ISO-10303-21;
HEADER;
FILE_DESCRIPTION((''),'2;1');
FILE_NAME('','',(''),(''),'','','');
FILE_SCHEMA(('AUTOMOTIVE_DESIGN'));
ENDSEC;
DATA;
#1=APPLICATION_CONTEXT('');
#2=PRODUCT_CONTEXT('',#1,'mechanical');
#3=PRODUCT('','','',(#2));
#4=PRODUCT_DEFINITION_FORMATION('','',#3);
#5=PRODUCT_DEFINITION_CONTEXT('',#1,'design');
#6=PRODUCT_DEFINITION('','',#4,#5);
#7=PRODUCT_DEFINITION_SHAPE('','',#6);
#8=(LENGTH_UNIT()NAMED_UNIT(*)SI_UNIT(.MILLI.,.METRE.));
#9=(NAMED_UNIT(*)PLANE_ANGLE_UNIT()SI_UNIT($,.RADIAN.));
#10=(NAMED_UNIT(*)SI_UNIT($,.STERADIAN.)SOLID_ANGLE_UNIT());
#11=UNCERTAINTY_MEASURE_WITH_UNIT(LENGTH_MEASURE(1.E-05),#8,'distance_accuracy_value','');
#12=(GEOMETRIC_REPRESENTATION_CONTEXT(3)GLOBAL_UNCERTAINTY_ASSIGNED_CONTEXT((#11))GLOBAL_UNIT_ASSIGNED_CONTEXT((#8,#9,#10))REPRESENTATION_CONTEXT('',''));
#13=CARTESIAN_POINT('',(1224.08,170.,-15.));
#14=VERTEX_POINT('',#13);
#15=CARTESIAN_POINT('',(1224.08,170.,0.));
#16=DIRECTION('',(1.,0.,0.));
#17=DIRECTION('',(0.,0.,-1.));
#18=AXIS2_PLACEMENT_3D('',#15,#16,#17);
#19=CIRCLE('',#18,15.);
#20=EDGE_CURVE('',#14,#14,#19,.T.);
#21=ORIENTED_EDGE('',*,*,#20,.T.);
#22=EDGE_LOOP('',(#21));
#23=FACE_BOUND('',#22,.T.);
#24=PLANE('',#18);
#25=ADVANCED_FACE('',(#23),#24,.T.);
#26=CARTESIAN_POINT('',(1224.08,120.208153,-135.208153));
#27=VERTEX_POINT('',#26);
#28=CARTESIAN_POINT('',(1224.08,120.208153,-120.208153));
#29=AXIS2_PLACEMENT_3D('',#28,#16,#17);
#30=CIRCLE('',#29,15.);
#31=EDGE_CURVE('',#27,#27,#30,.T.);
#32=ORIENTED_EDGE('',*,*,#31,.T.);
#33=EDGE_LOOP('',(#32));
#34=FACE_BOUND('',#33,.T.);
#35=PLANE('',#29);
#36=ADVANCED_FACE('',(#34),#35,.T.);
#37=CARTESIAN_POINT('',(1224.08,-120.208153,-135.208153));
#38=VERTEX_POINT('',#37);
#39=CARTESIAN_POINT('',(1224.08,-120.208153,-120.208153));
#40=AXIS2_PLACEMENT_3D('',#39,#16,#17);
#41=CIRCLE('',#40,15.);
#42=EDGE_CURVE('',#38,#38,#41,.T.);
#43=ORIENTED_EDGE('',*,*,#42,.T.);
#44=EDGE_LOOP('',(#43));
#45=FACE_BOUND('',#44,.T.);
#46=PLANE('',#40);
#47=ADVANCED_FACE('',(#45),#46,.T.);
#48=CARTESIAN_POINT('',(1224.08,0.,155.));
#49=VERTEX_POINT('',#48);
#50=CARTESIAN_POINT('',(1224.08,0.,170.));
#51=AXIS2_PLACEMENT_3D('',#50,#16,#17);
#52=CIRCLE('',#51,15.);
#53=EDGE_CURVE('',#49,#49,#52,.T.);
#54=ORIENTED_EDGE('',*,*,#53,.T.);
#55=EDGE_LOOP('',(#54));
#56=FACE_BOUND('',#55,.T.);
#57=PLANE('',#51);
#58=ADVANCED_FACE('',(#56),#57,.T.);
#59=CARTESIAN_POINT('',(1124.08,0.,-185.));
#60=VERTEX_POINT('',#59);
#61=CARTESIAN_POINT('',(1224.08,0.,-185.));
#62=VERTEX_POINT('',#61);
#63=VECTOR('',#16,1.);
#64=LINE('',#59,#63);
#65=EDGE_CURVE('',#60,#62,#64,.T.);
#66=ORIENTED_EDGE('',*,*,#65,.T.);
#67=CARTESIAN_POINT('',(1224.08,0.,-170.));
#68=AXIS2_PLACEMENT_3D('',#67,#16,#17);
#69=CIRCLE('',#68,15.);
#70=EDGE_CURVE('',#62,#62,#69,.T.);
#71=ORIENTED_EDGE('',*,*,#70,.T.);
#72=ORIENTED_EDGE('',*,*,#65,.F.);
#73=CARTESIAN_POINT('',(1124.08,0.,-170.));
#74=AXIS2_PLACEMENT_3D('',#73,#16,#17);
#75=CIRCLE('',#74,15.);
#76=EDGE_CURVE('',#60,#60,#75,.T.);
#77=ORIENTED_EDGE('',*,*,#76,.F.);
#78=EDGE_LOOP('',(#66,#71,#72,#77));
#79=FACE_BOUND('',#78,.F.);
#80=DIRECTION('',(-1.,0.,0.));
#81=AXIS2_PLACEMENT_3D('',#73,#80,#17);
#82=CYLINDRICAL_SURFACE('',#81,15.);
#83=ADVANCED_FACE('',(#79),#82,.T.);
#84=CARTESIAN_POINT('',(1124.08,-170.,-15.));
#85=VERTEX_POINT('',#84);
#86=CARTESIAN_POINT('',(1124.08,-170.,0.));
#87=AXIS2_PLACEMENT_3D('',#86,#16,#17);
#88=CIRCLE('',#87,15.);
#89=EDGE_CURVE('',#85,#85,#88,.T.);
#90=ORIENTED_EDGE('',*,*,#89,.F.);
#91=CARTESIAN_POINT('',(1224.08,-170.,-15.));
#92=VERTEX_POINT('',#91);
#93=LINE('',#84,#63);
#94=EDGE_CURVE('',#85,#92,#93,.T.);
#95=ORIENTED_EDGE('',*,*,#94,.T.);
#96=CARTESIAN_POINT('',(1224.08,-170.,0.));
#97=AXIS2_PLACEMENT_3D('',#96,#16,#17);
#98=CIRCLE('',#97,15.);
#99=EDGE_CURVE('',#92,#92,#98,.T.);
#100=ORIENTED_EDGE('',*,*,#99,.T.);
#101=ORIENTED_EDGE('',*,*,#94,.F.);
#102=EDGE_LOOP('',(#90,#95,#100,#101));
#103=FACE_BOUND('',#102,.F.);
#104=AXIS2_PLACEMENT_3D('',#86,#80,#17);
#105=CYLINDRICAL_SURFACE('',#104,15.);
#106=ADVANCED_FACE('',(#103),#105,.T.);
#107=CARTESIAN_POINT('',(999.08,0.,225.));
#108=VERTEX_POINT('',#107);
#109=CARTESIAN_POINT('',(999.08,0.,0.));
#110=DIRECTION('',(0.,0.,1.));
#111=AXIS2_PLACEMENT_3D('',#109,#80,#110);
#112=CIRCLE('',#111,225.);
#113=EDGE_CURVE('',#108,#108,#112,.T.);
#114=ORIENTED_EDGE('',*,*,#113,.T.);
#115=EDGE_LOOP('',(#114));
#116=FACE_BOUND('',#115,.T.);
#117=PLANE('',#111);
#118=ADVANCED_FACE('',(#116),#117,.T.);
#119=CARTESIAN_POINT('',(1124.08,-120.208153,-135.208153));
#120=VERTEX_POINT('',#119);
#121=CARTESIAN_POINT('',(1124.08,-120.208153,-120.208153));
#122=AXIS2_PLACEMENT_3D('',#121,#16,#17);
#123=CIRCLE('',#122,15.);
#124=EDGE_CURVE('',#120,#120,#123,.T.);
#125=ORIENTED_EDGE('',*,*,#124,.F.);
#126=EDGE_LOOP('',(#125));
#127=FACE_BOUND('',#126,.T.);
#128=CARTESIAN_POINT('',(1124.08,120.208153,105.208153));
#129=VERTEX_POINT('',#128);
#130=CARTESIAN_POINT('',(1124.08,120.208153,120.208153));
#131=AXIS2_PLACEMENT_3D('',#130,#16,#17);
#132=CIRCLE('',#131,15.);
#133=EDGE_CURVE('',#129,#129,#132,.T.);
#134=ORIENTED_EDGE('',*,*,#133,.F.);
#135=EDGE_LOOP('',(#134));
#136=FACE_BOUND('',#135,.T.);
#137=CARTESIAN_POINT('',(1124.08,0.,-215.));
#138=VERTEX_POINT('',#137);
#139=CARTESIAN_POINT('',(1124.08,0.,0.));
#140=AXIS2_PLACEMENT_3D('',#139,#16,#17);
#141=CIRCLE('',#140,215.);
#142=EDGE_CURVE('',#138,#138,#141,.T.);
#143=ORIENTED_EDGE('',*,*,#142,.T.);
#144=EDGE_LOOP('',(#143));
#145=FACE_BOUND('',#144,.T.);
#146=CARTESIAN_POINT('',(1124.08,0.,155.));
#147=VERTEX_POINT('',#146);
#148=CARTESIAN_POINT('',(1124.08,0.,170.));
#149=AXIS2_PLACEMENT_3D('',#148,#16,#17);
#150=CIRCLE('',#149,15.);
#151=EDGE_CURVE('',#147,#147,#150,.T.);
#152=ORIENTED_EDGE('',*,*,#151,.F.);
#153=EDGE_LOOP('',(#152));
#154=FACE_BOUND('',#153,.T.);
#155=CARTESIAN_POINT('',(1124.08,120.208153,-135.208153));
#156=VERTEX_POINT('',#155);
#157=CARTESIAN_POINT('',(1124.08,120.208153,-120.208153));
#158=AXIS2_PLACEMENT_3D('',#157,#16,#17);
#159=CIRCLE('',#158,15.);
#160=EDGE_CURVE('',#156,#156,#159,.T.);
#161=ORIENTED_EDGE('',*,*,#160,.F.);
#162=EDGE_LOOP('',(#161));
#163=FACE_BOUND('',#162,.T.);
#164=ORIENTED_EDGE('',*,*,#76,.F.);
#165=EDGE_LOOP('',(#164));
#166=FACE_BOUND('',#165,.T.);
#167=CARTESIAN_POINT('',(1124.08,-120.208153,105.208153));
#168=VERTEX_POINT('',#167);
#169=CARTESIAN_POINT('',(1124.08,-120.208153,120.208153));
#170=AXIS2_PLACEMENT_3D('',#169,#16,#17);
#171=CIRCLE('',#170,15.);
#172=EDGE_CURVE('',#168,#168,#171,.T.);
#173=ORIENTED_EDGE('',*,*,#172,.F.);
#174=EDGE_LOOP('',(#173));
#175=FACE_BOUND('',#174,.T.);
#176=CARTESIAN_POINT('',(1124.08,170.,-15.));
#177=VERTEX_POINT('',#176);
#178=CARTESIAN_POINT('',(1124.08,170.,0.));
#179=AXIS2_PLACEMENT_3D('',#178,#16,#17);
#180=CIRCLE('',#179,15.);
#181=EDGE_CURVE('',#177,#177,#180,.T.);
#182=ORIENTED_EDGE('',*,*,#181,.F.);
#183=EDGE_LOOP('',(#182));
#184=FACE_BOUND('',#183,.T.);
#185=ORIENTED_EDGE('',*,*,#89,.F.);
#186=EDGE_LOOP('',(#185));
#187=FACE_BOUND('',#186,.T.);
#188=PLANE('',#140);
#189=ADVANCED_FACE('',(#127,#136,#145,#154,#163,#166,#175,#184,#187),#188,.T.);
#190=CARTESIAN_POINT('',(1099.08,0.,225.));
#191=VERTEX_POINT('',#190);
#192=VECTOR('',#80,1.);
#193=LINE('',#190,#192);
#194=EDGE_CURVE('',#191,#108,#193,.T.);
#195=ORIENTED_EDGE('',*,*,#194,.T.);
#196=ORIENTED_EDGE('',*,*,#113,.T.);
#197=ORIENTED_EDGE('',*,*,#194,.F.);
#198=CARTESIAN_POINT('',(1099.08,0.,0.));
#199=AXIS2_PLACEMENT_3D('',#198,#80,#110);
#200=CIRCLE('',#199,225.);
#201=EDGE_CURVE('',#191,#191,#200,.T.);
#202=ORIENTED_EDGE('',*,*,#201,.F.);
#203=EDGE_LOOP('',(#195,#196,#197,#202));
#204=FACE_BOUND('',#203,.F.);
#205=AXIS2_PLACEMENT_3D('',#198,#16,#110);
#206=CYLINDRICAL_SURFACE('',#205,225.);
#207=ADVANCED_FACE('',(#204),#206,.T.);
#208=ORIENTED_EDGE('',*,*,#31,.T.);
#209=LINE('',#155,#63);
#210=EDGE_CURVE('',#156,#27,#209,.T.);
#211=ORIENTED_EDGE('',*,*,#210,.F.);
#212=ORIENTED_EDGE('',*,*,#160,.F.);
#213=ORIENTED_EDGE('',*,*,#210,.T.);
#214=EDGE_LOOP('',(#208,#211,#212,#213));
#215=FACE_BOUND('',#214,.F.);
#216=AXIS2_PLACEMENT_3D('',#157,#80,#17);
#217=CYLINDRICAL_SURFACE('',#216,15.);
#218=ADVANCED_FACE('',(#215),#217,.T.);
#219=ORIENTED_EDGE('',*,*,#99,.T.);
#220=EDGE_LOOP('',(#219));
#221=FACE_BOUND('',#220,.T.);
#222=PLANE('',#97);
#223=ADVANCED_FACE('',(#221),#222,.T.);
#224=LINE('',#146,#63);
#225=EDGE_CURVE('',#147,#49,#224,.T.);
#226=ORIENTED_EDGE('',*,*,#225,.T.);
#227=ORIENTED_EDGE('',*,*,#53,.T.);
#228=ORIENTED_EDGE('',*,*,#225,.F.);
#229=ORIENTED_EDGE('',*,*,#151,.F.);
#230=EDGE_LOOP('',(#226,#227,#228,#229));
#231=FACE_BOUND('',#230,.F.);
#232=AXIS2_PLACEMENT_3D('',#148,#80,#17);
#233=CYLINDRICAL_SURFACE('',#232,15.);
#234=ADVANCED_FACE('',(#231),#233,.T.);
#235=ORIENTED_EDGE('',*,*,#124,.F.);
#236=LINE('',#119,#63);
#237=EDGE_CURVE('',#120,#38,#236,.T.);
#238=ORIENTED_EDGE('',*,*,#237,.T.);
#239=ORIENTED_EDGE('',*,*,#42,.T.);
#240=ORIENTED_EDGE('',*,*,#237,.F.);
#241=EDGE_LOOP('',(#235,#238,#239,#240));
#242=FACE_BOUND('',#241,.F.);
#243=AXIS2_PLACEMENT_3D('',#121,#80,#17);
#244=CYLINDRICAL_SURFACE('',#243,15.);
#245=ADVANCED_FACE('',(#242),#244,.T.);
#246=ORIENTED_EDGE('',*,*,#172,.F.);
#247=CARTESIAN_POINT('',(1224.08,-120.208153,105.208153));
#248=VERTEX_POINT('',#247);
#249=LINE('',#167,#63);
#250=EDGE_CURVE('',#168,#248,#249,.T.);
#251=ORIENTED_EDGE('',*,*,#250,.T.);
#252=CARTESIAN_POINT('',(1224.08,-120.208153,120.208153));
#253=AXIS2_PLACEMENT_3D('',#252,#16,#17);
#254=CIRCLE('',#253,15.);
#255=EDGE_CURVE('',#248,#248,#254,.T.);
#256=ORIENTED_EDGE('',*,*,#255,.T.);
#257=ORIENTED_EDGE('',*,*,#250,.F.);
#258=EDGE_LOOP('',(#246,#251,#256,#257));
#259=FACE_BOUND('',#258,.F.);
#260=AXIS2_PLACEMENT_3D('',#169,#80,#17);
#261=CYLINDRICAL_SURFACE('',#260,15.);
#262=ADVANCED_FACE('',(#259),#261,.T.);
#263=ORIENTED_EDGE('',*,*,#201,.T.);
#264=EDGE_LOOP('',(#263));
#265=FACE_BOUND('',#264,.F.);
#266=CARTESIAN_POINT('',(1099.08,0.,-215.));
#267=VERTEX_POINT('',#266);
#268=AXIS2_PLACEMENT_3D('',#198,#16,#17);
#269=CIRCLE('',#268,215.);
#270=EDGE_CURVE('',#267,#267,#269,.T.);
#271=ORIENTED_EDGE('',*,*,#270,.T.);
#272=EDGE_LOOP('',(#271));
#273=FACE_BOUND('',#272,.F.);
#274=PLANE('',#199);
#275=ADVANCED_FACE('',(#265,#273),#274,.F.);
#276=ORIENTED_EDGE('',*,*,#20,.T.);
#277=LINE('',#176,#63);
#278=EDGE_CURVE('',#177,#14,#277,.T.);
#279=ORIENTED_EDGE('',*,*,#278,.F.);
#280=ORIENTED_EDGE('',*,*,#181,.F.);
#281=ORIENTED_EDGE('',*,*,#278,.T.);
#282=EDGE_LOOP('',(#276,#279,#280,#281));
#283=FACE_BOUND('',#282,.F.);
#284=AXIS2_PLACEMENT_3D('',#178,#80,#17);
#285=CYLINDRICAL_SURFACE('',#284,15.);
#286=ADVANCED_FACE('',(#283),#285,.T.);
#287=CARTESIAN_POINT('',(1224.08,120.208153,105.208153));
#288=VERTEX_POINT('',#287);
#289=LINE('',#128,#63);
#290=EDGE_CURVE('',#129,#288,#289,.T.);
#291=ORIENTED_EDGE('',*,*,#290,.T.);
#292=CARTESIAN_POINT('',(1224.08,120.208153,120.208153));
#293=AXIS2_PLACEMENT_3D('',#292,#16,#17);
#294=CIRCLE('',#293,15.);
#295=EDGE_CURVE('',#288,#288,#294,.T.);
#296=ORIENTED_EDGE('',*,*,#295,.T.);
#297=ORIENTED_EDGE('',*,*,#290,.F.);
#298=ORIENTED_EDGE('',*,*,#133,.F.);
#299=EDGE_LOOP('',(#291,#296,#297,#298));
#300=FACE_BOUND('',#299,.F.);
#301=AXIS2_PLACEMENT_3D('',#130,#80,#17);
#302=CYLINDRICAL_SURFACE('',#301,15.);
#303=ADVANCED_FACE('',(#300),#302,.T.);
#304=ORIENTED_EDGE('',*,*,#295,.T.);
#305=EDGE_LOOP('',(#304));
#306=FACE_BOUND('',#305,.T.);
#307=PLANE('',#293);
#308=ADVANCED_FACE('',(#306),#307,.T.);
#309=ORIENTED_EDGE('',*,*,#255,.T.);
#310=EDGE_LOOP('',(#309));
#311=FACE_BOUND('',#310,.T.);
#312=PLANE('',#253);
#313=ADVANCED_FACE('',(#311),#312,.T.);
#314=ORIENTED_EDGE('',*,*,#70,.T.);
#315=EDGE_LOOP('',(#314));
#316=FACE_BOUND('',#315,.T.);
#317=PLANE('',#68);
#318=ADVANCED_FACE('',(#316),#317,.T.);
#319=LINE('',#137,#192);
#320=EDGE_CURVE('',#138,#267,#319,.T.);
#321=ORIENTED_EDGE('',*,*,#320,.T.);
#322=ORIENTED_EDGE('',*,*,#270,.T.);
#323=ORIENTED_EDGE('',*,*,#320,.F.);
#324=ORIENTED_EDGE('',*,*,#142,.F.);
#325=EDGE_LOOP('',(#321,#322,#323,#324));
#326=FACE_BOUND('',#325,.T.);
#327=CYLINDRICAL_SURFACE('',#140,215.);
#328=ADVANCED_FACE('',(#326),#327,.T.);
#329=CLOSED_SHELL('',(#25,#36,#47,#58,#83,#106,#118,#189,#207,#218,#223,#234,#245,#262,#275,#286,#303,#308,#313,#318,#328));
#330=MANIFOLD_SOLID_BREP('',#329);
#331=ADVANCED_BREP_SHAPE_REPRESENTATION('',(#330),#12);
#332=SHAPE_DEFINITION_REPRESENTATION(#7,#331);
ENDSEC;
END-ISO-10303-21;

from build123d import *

# Parameters (mm, degrees)
SKETCH2_R           = 215
BOSS_EXTRUDE1_DEPTH = 25
SKETCH3_R           = 225
BOSS_EXTRUDE2_DEPTH = 100
SKETCH5_R           = 15
BOSS_EXTRUDE3_DEPTH = 100


with BuildPart() as part:
    # Sketch2 → Boss-Extrude1 (new body)
    with BuildSketch(Plane(origin=(1124.08, 0, 0), x_dir=(0, 0, -1), z_dir=(1, 0, 0))):
        Circle(SKETCH2_R)
    extrude(amount=-BOSS_EXTRUDE1_DEPTH)

    # Sketch3 → Boss-Extrude2 (add)
    with BuildSketch(Plane.ZY.offset(-1099.08)):
        Circle(SKETCH3_R)
    extrude(amount=BOSS_EXTRUDE2_DEPTH)

    # Sketch5 → Boss-Extrude3 (add)
    with BuildSketch(Plane(origin=(1124.08, 0, 0), x_dir=(0, 0, -1), z_dir=(1, 0, 0))):
        with Locations((0, 170)):
            Circle(SKETCH5_R)
        with Locations((120.208152802, 120.208152802)):
            Circle(SKETCH5_R)
        with Locations((170, 0)):
            Circle(SKETCH5_R)
        with Locations((120.208152802, -120.208152802)):
            Circle(SKETCH5_R)
        with Locations((0, -170)):
            Circle(SKETCH5_R)
        with Locations((-120.208152802, -120.208152802)):
            Circle(SKETCH5_R)
        with Locations((-170, 0)):
            Circle(SKETCH5_R)
        with Locations((-120.208152802, 120.208152802)):
            Circle(SKETCH5_R)
    extrude(amount=BOSS_EXTRUDE3_DEPTH)


solid = part.part
